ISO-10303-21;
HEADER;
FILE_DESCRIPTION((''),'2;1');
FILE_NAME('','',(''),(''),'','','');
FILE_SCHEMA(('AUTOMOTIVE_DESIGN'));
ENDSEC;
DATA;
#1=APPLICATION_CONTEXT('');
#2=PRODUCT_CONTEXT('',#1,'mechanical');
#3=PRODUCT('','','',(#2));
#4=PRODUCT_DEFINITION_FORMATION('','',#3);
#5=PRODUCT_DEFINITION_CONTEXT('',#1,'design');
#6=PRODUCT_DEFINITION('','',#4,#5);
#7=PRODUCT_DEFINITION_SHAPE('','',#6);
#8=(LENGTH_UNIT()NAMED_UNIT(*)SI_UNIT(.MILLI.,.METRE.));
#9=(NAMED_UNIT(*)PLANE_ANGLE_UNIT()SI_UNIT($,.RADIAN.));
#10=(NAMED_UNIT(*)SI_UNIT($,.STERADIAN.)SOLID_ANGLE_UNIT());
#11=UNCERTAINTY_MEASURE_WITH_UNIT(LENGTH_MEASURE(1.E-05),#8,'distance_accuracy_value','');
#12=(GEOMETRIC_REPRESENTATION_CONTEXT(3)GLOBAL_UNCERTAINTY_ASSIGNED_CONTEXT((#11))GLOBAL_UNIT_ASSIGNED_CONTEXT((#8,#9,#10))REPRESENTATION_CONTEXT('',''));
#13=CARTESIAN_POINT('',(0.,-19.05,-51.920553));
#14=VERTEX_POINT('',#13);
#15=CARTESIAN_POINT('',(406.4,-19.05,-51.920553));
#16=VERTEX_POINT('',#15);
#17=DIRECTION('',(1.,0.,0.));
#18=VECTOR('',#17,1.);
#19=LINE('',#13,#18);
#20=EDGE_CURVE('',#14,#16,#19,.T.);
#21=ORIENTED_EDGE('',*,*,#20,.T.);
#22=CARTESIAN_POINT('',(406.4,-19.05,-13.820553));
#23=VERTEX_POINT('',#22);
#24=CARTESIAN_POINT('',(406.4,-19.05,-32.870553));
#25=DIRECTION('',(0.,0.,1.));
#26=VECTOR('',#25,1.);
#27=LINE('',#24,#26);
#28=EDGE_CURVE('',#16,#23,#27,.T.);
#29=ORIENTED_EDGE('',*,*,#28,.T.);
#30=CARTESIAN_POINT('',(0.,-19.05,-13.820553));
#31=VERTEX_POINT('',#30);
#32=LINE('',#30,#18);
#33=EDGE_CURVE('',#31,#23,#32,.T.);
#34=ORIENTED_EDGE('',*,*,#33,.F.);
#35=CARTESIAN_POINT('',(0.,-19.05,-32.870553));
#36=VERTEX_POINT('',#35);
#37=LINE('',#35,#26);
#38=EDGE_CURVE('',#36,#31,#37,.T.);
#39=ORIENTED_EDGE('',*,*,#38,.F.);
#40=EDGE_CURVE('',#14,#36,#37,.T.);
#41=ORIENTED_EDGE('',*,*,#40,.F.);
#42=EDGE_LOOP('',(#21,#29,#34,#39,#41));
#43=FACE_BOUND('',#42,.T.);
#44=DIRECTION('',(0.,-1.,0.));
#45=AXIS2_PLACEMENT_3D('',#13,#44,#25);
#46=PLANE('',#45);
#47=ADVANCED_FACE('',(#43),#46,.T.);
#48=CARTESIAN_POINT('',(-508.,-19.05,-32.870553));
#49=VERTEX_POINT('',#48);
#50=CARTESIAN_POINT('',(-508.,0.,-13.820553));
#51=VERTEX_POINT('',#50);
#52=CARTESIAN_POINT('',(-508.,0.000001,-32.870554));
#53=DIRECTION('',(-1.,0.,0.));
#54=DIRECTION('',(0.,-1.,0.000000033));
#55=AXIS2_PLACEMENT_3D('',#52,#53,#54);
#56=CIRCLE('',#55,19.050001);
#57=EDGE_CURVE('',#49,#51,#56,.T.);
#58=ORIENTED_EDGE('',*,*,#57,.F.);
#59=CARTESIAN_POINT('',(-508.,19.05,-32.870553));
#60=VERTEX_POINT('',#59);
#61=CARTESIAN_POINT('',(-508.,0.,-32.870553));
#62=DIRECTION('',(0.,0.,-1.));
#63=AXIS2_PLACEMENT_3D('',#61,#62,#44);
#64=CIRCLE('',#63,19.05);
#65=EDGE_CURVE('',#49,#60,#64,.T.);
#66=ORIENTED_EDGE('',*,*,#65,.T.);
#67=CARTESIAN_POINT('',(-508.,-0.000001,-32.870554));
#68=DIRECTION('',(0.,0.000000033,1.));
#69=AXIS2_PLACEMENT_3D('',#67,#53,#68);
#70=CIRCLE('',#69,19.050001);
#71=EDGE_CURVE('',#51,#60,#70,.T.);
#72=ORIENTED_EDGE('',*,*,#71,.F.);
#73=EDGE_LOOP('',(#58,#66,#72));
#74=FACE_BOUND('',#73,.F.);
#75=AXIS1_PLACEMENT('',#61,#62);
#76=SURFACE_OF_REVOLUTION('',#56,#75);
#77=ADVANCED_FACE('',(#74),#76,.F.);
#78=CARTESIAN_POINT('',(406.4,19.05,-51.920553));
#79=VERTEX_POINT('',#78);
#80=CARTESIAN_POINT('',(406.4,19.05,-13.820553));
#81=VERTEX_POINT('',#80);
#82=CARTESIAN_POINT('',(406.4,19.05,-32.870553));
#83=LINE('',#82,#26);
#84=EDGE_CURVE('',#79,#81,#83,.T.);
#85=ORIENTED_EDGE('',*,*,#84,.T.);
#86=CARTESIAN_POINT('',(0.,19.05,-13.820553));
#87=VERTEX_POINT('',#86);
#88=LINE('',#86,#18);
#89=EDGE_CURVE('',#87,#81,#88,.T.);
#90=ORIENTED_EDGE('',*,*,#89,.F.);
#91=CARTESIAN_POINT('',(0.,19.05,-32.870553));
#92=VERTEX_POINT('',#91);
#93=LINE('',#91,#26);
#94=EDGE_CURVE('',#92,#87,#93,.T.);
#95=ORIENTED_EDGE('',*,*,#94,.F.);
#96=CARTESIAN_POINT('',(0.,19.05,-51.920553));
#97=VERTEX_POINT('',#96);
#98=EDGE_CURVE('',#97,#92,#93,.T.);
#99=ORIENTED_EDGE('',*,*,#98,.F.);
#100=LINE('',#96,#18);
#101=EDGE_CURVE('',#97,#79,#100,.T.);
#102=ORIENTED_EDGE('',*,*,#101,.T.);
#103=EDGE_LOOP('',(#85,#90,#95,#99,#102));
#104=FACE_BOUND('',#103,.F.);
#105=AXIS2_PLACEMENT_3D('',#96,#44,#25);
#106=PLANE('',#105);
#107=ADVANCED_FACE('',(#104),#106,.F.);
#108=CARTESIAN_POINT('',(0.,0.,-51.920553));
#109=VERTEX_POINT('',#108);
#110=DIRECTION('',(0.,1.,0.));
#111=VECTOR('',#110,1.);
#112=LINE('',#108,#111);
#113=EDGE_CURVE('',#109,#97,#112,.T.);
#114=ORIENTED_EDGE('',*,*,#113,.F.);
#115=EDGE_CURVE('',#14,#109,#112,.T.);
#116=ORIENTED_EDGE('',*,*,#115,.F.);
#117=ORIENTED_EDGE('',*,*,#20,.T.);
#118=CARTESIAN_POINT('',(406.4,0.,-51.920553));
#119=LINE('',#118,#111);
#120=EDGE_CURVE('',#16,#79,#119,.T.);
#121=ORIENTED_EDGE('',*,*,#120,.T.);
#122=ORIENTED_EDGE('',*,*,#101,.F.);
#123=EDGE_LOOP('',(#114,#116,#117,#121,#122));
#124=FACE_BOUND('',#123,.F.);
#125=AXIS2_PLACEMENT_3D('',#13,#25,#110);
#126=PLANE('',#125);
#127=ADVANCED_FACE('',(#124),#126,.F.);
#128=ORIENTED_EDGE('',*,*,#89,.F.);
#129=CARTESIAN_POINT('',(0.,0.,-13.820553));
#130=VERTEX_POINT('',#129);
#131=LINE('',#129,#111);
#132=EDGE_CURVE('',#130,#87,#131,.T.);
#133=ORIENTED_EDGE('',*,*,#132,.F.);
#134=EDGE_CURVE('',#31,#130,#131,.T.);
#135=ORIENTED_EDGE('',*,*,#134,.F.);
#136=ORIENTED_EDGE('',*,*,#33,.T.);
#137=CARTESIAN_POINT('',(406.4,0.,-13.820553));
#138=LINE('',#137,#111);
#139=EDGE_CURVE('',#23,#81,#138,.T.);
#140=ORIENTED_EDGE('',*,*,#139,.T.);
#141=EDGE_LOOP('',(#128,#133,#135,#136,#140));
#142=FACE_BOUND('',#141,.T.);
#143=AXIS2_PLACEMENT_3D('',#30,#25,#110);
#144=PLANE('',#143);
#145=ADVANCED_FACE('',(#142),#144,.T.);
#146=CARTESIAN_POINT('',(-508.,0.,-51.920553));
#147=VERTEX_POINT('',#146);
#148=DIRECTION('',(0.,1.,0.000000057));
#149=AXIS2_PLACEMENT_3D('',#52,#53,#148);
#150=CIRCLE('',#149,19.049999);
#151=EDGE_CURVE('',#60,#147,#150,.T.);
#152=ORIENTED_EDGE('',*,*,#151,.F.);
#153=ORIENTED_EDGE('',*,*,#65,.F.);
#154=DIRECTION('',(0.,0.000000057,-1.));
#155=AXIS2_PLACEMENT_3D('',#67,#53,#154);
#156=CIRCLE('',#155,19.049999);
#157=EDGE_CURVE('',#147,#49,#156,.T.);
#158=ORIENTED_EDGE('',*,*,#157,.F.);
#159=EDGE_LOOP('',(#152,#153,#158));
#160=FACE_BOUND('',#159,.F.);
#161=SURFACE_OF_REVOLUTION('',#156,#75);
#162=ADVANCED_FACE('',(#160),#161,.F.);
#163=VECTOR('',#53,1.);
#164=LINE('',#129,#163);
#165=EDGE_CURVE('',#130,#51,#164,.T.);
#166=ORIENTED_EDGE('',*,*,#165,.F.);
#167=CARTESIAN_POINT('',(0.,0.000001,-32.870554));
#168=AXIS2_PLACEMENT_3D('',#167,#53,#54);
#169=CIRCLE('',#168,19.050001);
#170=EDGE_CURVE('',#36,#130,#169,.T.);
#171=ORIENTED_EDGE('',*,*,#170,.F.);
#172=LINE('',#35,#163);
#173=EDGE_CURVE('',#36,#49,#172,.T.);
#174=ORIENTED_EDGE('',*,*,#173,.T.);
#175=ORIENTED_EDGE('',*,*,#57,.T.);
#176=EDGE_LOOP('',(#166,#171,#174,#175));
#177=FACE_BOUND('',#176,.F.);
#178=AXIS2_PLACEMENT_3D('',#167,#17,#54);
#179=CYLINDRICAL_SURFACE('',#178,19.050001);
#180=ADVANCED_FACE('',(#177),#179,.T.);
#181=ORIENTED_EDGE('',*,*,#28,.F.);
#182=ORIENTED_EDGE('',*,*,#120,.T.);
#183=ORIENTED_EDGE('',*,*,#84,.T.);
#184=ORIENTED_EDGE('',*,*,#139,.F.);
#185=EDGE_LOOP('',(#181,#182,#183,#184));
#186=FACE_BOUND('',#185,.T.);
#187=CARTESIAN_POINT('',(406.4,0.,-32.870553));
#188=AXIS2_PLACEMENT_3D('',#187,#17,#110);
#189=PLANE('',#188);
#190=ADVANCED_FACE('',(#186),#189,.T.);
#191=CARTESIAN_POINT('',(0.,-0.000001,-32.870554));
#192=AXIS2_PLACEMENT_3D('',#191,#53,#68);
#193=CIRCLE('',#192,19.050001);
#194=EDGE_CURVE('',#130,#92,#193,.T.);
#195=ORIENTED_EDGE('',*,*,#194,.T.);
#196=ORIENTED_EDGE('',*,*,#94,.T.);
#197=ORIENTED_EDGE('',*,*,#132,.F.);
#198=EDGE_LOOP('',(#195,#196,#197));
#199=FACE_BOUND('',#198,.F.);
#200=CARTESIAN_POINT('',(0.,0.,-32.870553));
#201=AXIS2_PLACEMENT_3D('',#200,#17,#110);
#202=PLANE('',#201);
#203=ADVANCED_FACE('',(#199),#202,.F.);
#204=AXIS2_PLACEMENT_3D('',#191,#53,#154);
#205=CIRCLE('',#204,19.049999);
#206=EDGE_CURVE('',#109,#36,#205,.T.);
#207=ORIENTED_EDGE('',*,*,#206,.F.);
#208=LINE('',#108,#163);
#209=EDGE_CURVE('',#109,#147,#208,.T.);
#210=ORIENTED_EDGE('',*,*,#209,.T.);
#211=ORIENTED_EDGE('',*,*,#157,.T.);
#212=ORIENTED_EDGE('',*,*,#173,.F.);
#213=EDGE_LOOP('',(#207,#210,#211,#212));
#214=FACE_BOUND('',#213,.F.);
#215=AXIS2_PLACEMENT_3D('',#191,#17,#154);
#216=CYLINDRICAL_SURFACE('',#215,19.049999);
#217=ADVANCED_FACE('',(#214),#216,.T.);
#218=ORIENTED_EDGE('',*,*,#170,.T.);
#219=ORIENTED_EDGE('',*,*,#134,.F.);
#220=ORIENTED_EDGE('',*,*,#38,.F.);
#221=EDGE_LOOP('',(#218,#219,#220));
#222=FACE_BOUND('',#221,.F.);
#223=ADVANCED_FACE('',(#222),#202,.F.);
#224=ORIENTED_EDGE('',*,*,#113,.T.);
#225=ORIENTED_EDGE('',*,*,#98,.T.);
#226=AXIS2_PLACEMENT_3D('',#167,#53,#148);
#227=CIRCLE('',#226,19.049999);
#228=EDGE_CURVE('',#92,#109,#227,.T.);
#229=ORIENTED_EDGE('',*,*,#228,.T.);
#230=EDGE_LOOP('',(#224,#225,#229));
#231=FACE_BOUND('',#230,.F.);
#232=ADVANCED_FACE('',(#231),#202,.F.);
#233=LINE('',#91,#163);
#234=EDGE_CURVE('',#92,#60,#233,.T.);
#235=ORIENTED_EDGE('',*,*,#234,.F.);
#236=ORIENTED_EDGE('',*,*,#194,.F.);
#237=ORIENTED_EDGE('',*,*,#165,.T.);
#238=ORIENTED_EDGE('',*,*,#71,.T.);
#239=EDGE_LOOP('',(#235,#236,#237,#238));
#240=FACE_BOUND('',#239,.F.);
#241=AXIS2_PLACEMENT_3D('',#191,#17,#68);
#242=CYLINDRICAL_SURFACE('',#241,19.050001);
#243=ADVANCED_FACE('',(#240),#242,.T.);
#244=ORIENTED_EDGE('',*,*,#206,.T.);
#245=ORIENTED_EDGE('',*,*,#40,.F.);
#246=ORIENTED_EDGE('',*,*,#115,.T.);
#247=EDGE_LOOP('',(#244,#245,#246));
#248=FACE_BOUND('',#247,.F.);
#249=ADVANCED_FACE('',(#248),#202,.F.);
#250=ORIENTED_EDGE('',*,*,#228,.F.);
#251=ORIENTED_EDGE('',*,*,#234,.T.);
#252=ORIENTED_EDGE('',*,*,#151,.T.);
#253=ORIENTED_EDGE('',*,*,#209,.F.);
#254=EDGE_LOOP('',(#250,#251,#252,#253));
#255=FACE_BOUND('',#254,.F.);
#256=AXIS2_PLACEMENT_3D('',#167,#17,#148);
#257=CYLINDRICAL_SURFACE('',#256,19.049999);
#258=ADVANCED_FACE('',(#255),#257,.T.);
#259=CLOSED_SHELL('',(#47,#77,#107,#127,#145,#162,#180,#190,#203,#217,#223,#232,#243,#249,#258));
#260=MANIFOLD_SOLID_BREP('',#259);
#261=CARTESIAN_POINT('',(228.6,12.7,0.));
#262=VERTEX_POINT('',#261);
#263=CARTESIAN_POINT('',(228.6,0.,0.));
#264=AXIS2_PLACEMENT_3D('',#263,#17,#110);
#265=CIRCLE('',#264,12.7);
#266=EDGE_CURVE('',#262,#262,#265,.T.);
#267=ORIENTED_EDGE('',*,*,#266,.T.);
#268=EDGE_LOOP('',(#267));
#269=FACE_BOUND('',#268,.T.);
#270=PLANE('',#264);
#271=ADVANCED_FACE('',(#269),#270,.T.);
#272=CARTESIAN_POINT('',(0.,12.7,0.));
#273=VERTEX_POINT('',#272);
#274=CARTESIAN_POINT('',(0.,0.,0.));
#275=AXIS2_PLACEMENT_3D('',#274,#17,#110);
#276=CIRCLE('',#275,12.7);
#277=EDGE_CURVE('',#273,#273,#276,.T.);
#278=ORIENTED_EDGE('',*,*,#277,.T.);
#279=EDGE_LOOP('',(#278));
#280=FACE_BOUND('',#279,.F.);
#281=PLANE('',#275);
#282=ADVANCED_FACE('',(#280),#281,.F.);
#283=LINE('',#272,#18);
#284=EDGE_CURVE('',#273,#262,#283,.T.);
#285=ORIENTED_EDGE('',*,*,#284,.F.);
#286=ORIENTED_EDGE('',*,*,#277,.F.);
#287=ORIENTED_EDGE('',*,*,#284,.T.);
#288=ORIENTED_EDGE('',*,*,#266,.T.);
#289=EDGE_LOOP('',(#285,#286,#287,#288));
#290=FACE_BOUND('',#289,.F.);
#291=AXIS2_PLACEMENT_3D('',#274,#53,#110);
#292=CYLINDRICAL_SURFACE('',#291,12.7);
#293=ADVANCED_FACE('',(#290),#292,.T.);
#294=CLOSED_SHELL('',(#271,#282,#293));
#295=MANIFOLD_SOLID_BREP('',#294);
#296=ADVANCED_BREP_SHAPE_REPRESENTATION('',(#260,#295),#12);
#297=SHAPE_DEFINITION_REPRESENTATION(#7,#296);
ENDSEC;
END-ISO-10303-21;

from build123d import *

# Parameters (mm, degrees)
F0_R     = 12.7
F1_DEPTH = 228.6
F2_W     = 38.1
F2_H     = 38.1
F3_DEPTH = 406.4
F5_DEPTH = 508


with BuildPart() as f1:
    # F0 (on Right) → F1 (new body)
    with BuildSketch(Plane.YZ):
        Circle(F0_R)
    extrude(amount=F1_DEPTH)


with BuildPart() as f3:
    # F2 (on Right) → F3 (new body)
    with BuildSketch(Plane.YZ):
        with Locations((0, -32.870553)):
            Rectangle(F2_W, F2_H)
    extrude(amount=F3_DEPTH)

    # F4 (on face) → F5 (join)
    with BuildSketch(Plane(origin=(0, 0, 0), x_dir=(0, -1, 0), z_dir=(-1, 0, 0))):
        with BuildLine():
            ThreePointArc((0, -51.920553), (13.470384, -46.340938), (19.05, -32.870553))
            ThreePointArc((19.05, -32.870553), (13.470384, -19.400169), (0, -13.820553))
            ThreePointArc((0, -13.820553), (-13.470384, -19.400169), (-19.05, -32.870553))
            ThreePointArc((-19.05, -32.870553), (-13.470384, -46.340938), (0, -51.920553))
        make_face()
    extrude(amount=F5_DEPTH)

    # F6 (on face) → F7 (revolve)
    with BuildSketch(Plane(origin=(-508, 0, 0), x_dir=(0, -1, 0), z_dir=(-1, 0, 0))):
        with BuildLine():
            ThreePointArc((19.05, -32.870553), (13.470384, -19.400169), (0, -13.820553))
            Line((0, -13.820553), (0, -51.920553))
            ThreePointArc((0, -51.920553), (13.470384, -46.340938), (19.05, -32.870553))
        make_face()
    revolve(axis=Axis((-508, 0, -32.870553), (0, 0, -1)))


solid = Compound([f1.part, f3.part])
